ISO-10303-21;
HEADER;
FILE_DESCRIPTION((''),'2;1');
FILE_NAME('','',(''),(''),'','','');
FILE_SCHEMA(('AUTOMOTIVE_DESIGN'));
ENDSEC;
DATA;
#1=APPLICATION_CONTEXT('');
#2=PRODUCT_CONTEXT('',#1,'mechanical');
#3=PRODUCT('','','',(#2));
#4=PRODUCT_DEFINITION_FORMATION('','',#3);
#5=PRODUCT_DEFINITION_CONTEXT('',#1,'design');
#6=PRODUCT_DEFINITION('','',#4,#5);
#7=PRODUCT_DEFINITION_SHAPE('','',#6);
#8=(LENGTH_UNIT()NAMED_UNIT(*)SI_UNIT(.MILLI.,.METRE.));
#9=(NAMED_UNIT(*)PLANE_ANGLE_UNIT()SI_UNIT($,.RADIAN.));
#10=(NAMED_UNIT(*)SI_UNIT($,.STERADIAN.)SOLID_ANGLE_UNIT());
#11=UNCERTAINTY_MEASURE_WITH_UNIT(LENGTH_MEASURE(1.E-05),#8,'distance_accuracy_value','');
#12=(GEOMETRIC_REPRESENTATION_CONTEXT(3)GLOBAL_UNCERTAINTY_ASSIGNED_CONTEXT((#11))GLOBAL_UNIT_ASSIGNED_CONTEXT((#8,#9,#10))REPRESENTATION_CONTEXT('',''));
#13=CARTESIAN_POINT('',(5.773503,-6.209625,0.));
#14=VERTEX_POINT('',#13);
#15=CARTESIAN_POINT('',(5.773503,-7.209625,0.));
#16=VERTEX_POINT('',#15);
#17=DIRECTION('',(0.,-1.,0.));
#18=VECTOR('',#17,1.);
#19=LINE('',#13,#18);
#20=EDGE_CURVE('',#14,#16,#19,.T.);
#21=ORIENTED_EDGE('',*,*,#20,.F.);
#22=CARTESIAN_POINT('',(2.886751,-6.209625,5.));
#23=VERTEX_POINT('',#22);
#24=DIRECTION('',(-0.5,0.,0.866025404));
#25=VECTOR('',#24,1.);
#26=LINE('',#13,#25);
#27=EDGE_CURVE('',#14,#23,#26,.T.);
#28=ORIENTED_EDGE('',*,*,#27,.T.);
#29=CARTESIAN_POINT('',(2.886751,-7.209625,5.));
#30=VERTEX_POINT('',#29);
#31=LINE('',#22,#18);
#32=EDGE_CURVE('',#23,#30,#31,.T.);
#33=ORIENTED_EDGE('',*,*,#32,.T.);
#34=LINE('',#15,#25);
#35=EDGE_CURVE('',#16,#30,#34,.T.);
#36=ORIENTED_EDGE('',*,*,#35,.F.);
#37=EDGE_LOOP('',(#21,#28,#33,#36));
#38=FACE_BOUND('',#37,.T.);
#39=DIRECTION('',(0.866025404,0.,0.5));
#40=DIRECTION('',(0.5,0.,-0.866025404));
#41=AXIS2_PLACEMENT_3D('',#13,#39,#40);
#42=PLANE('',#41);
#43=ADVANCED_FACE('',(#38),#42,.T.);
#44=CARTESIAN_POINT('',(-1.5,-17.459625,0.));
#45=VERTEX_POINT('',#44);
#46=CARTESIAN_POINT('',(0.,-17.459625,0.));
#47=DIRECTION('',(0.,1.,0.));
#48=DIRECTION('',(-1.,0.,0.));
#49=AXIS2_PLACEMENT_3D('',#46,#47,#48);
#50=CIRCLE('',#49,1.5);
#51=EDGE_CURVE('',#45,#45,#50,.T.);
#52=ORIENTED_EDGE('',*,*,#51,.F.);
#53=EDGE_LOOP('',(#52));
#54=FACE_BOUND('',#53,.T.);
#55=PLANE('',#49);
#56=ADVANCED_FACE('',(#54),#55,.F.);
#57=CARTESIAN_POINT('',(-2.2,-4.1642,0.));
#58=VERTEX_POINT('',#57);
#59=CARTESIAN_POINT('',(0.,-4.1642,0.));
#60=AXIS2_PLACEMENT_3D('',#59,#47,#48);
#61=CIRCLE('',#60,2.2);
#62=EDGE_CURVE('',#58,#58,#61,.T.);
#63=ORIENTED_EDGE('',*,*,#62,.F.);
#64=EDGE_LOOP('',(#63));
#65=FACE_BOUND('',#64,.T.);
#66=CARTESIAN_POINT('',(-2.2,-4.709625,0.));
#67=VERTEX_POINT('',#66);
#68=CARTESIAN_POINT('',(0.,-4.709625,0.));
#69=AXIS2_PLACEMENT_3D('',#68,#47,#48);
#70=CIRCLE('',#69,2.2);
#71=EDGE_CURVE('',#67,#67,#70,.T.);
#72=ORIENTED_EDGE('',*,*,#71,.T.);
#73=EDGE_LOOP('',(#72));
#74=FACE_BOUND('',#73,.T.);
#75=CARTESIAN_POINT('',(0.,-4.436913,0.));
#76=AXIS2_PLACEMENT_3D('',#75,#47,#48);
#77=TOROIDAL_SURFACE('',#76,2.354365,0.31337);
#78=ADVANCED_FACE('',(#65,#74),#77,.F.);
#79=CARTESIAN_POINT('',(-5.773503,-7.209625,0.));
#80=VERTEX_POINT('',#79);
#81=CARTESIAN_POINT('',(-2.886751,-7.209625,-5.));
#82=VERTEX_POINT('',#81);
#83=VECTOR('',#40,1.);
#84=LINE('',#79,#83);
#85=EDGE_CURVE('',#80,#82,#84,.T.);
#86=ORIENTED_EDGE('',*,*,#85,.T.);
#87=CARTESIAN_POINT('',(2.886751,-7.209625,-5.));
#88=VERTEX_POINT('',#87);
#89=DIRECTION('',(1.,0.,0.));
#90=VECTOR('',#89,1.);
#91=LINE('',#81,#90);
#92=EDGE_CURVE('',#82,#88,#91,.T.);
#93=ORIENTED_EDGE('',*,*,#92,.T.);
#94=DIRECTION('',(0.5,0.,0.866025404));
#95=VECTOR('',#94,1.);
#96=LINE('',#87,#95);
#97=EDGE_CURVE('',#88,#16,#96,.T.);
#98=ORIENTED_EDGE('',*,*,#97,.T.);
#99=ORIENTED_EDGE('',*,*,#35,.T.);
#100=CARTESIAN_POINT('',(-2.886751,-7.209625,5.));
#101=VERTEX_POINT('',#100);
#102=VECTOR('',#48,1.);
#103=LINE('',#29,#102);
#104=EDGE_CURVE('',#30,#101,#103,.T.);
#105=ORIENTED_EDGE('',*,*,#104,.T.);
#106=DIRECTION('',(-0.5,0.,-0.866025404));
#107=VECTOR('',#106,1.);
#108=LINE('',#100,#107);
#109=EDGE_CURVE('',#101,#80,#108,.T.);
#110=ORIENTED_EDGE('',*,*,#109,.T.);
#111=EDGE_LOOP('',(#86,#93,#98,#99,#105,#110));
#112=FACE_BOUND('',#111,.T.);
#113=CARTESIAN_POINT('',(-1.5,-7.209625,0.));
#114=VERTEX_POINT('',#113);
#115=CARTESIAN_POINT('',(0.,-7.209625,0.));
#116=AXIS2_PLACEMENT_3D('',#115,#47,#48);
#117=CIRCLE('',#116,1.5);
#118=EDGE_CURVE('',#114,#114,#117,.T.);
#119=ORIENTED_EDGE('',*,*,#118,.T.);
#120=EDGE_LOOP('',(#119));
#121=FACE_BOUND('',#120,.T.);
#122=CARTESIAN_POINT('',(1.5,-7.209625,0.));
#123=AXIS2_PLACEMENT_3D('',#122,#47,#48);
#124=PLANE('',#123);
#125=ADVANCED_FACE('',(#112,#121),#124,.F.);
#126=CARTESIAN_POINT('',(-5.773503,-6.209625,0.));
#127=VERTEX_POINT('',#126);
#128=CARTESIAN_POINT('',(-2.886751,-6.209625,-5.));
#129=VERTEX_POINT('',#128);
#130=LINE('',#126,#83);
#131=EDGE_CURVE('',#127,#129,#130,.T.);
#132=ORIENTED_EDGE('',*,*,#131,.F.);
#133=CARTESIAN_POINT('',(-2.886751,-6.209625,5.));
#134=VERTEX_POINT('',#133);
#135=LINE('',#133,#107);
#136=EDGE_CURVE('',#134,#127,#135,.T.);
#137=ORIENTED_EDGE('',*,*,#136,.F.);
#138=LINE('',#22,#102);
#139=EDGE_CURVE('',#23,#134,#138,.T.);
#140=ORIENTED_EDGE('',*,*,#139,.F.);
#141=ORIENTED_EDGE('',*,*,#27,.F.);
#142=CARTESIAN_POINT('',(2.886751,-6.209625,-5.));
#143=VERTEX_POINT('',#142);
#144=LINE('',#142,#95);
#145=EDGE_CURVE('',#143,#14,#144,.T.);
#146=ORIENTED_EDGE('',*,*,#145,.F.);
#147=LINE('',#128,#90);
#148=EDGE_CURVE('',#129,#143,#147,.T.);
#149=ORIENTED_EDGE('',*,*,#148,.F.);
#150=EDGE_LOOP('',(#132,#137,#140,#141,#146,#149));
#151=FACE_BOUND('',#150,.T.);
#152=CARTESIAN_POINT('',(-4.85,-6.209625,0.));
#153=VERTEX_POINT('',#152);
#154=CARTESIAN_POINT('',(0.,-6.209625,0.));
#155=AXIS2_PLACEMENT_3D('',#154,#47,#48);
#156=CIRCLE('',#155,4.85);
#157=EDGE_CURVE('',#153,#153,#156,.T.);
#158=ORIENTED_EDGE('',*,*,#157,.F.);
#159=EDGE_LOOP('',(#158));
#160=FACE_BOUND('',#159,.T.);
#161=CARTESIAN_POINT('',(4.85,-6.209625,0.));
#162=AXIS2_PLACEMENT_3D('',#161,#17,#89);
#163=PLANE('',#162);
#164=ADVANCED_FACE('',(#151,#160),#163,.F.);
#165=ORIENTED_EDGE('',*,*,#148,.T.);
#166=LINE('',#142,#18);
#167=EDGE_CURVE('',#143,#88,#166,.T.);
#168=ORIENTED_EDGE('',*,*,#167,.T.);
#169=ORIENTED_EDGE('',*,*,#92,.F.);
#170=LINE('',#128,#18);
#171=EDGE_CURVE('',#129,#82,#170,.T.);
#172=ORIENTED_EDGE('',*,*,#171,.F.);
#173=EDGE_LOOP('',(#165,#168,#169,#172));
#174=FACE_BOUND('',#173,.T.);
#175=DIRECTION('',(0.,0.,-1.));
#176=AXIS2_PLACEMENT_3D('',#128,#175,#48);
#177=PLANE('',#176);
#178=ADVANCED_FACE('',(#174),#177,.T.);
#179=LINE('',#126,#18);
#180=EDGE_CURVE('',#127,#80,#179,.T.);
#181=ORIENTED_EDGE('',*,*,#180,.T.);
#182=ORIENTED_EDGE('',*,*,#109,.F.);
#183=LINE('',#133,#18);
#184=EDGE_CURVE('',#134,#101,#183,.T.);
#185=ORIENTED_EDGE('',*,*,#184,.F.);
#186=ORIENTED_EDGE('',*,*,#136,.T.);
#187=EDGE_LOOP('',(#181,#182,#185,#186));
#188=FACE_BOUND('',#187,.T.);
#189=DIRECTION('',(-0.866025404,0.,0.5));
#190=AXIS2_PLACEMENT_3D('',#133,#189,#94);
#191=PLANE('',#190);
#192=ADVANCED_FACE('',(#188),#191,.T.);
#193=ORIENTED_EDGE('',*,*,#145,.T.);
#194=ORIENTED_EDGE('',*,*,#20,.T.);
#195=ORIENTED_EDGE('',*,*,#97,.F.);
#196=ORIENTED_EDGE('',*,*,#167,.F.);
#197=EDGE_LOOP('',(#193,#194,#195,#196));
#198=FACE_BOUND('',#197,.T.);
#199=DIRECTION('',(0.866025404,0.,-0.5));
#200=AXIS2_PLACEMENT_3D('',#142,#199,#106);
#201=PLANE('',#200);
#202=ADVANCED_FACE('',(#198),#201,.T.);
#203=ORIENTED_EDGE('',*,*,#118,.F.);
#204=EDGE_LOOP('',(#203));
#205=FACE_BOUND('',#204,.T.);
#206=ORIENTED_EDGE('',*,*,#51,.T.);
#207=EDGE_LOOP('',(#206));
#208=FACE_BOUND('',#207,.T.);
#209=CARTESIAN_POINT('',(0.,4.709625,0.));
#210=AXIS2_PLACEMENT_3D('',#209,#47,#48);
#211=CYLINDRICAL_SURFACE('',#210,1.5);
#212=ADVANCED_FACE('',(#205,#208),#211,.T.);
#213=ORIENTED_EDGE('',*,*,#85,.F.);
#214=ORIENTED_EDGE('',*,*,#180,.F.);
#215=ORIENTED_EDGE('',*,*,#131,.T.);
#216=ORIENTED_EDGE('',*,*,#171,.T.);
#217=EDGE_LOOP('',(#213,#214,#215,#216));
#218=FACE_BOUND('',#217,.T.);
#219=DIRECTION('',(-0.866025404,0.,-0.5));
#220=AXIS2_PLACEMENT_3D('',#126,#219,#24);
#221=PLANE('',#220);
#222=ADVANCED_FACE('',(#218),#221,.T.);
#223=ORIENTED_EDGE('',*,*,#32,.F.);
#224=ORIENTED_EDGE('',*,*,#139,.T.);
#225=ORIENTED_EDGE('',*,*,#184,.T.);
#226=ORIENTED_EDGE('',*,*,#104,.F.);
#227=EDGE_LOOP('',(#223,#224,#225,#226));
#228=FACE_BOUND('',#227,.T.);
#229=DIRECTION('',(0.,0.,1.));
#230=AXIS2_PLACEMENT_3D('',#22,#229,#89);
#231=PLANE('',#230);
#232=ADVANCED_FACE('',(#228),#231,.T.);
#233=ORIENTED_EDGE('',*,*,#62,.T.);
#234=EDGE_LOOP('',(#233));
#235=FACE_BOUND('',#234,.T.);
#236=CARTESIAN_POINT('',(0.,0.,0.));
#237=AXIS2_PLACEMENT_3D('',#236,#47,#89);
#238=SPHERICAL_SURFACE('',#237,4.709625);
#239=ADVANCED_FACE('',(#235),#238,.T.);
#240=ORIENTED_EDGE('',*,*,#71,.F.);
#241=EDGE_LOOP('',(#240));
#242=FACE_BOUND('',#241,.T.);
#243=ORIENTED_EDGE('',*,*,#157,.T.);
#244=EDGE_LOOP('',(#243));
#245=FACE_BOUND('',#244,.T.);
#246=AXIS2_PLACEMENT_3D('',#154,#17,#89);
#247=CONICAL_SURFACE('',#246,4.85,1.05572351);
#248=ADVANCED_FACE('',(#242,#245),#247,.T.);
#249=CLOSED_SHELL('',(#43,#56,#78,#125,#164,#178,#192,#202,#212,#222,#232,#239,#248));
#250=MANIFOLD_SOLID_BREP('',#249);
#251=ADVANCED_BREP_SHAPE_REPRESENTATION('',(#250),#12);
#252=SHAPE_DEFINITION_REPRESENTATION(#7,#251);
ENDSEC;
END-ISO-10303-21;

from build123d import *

# Parameters (mm, degrees)
BOSS_EXTRUDE1_DEPTH = 1


with BuildPart() as part:
    # Sketch1 → Revolve1 (revolve)
    with BuildSketch(Plane.XY):
        with BuildLine():
            Line((2.2, -4.709624758), (4.85, -6.209624758))
            Line((4.85, -6.209624758), (5, -6.209624758))
            Line((5, -6.209624758), (5, -7.209624758))
            Line((5, -7.209624758), (1.5, -7.209624758))
            Line((1.5, -7.209624758), (1.5, -17.459624758))
            Line((1.5, -17.459624758), (0, -17.459624758))
            Line((0, -17.459624758), (0, 4.709624758))
            ThreePointArc((0, 4.709624758), (4.57123544, 1.133301337), (2.2, -4.164200447))
            ThreePointArc((2.2, -4.164200447), (2.040995641, -4.436912603), (2.2, -4.709624758))
        make_face()
    revolve(axis=Axis((0, 4.709624758, 0), (0, -1, 0)))

    # Sketch3 → Boss-Extrude1 (add)
    with BuildSketch(Plane.XZ.offset(7.209624758)):
        Polygon((5.773502692, 0), (2.886751346, 5), (-2.886751346, 5), (-5.773502692, 0), (-2.886751346, -5), (2.886751346, -5), align=None)
    extrude(amount=-BOSS_EXTRUDE1_DEPTH)


solid = part.part
